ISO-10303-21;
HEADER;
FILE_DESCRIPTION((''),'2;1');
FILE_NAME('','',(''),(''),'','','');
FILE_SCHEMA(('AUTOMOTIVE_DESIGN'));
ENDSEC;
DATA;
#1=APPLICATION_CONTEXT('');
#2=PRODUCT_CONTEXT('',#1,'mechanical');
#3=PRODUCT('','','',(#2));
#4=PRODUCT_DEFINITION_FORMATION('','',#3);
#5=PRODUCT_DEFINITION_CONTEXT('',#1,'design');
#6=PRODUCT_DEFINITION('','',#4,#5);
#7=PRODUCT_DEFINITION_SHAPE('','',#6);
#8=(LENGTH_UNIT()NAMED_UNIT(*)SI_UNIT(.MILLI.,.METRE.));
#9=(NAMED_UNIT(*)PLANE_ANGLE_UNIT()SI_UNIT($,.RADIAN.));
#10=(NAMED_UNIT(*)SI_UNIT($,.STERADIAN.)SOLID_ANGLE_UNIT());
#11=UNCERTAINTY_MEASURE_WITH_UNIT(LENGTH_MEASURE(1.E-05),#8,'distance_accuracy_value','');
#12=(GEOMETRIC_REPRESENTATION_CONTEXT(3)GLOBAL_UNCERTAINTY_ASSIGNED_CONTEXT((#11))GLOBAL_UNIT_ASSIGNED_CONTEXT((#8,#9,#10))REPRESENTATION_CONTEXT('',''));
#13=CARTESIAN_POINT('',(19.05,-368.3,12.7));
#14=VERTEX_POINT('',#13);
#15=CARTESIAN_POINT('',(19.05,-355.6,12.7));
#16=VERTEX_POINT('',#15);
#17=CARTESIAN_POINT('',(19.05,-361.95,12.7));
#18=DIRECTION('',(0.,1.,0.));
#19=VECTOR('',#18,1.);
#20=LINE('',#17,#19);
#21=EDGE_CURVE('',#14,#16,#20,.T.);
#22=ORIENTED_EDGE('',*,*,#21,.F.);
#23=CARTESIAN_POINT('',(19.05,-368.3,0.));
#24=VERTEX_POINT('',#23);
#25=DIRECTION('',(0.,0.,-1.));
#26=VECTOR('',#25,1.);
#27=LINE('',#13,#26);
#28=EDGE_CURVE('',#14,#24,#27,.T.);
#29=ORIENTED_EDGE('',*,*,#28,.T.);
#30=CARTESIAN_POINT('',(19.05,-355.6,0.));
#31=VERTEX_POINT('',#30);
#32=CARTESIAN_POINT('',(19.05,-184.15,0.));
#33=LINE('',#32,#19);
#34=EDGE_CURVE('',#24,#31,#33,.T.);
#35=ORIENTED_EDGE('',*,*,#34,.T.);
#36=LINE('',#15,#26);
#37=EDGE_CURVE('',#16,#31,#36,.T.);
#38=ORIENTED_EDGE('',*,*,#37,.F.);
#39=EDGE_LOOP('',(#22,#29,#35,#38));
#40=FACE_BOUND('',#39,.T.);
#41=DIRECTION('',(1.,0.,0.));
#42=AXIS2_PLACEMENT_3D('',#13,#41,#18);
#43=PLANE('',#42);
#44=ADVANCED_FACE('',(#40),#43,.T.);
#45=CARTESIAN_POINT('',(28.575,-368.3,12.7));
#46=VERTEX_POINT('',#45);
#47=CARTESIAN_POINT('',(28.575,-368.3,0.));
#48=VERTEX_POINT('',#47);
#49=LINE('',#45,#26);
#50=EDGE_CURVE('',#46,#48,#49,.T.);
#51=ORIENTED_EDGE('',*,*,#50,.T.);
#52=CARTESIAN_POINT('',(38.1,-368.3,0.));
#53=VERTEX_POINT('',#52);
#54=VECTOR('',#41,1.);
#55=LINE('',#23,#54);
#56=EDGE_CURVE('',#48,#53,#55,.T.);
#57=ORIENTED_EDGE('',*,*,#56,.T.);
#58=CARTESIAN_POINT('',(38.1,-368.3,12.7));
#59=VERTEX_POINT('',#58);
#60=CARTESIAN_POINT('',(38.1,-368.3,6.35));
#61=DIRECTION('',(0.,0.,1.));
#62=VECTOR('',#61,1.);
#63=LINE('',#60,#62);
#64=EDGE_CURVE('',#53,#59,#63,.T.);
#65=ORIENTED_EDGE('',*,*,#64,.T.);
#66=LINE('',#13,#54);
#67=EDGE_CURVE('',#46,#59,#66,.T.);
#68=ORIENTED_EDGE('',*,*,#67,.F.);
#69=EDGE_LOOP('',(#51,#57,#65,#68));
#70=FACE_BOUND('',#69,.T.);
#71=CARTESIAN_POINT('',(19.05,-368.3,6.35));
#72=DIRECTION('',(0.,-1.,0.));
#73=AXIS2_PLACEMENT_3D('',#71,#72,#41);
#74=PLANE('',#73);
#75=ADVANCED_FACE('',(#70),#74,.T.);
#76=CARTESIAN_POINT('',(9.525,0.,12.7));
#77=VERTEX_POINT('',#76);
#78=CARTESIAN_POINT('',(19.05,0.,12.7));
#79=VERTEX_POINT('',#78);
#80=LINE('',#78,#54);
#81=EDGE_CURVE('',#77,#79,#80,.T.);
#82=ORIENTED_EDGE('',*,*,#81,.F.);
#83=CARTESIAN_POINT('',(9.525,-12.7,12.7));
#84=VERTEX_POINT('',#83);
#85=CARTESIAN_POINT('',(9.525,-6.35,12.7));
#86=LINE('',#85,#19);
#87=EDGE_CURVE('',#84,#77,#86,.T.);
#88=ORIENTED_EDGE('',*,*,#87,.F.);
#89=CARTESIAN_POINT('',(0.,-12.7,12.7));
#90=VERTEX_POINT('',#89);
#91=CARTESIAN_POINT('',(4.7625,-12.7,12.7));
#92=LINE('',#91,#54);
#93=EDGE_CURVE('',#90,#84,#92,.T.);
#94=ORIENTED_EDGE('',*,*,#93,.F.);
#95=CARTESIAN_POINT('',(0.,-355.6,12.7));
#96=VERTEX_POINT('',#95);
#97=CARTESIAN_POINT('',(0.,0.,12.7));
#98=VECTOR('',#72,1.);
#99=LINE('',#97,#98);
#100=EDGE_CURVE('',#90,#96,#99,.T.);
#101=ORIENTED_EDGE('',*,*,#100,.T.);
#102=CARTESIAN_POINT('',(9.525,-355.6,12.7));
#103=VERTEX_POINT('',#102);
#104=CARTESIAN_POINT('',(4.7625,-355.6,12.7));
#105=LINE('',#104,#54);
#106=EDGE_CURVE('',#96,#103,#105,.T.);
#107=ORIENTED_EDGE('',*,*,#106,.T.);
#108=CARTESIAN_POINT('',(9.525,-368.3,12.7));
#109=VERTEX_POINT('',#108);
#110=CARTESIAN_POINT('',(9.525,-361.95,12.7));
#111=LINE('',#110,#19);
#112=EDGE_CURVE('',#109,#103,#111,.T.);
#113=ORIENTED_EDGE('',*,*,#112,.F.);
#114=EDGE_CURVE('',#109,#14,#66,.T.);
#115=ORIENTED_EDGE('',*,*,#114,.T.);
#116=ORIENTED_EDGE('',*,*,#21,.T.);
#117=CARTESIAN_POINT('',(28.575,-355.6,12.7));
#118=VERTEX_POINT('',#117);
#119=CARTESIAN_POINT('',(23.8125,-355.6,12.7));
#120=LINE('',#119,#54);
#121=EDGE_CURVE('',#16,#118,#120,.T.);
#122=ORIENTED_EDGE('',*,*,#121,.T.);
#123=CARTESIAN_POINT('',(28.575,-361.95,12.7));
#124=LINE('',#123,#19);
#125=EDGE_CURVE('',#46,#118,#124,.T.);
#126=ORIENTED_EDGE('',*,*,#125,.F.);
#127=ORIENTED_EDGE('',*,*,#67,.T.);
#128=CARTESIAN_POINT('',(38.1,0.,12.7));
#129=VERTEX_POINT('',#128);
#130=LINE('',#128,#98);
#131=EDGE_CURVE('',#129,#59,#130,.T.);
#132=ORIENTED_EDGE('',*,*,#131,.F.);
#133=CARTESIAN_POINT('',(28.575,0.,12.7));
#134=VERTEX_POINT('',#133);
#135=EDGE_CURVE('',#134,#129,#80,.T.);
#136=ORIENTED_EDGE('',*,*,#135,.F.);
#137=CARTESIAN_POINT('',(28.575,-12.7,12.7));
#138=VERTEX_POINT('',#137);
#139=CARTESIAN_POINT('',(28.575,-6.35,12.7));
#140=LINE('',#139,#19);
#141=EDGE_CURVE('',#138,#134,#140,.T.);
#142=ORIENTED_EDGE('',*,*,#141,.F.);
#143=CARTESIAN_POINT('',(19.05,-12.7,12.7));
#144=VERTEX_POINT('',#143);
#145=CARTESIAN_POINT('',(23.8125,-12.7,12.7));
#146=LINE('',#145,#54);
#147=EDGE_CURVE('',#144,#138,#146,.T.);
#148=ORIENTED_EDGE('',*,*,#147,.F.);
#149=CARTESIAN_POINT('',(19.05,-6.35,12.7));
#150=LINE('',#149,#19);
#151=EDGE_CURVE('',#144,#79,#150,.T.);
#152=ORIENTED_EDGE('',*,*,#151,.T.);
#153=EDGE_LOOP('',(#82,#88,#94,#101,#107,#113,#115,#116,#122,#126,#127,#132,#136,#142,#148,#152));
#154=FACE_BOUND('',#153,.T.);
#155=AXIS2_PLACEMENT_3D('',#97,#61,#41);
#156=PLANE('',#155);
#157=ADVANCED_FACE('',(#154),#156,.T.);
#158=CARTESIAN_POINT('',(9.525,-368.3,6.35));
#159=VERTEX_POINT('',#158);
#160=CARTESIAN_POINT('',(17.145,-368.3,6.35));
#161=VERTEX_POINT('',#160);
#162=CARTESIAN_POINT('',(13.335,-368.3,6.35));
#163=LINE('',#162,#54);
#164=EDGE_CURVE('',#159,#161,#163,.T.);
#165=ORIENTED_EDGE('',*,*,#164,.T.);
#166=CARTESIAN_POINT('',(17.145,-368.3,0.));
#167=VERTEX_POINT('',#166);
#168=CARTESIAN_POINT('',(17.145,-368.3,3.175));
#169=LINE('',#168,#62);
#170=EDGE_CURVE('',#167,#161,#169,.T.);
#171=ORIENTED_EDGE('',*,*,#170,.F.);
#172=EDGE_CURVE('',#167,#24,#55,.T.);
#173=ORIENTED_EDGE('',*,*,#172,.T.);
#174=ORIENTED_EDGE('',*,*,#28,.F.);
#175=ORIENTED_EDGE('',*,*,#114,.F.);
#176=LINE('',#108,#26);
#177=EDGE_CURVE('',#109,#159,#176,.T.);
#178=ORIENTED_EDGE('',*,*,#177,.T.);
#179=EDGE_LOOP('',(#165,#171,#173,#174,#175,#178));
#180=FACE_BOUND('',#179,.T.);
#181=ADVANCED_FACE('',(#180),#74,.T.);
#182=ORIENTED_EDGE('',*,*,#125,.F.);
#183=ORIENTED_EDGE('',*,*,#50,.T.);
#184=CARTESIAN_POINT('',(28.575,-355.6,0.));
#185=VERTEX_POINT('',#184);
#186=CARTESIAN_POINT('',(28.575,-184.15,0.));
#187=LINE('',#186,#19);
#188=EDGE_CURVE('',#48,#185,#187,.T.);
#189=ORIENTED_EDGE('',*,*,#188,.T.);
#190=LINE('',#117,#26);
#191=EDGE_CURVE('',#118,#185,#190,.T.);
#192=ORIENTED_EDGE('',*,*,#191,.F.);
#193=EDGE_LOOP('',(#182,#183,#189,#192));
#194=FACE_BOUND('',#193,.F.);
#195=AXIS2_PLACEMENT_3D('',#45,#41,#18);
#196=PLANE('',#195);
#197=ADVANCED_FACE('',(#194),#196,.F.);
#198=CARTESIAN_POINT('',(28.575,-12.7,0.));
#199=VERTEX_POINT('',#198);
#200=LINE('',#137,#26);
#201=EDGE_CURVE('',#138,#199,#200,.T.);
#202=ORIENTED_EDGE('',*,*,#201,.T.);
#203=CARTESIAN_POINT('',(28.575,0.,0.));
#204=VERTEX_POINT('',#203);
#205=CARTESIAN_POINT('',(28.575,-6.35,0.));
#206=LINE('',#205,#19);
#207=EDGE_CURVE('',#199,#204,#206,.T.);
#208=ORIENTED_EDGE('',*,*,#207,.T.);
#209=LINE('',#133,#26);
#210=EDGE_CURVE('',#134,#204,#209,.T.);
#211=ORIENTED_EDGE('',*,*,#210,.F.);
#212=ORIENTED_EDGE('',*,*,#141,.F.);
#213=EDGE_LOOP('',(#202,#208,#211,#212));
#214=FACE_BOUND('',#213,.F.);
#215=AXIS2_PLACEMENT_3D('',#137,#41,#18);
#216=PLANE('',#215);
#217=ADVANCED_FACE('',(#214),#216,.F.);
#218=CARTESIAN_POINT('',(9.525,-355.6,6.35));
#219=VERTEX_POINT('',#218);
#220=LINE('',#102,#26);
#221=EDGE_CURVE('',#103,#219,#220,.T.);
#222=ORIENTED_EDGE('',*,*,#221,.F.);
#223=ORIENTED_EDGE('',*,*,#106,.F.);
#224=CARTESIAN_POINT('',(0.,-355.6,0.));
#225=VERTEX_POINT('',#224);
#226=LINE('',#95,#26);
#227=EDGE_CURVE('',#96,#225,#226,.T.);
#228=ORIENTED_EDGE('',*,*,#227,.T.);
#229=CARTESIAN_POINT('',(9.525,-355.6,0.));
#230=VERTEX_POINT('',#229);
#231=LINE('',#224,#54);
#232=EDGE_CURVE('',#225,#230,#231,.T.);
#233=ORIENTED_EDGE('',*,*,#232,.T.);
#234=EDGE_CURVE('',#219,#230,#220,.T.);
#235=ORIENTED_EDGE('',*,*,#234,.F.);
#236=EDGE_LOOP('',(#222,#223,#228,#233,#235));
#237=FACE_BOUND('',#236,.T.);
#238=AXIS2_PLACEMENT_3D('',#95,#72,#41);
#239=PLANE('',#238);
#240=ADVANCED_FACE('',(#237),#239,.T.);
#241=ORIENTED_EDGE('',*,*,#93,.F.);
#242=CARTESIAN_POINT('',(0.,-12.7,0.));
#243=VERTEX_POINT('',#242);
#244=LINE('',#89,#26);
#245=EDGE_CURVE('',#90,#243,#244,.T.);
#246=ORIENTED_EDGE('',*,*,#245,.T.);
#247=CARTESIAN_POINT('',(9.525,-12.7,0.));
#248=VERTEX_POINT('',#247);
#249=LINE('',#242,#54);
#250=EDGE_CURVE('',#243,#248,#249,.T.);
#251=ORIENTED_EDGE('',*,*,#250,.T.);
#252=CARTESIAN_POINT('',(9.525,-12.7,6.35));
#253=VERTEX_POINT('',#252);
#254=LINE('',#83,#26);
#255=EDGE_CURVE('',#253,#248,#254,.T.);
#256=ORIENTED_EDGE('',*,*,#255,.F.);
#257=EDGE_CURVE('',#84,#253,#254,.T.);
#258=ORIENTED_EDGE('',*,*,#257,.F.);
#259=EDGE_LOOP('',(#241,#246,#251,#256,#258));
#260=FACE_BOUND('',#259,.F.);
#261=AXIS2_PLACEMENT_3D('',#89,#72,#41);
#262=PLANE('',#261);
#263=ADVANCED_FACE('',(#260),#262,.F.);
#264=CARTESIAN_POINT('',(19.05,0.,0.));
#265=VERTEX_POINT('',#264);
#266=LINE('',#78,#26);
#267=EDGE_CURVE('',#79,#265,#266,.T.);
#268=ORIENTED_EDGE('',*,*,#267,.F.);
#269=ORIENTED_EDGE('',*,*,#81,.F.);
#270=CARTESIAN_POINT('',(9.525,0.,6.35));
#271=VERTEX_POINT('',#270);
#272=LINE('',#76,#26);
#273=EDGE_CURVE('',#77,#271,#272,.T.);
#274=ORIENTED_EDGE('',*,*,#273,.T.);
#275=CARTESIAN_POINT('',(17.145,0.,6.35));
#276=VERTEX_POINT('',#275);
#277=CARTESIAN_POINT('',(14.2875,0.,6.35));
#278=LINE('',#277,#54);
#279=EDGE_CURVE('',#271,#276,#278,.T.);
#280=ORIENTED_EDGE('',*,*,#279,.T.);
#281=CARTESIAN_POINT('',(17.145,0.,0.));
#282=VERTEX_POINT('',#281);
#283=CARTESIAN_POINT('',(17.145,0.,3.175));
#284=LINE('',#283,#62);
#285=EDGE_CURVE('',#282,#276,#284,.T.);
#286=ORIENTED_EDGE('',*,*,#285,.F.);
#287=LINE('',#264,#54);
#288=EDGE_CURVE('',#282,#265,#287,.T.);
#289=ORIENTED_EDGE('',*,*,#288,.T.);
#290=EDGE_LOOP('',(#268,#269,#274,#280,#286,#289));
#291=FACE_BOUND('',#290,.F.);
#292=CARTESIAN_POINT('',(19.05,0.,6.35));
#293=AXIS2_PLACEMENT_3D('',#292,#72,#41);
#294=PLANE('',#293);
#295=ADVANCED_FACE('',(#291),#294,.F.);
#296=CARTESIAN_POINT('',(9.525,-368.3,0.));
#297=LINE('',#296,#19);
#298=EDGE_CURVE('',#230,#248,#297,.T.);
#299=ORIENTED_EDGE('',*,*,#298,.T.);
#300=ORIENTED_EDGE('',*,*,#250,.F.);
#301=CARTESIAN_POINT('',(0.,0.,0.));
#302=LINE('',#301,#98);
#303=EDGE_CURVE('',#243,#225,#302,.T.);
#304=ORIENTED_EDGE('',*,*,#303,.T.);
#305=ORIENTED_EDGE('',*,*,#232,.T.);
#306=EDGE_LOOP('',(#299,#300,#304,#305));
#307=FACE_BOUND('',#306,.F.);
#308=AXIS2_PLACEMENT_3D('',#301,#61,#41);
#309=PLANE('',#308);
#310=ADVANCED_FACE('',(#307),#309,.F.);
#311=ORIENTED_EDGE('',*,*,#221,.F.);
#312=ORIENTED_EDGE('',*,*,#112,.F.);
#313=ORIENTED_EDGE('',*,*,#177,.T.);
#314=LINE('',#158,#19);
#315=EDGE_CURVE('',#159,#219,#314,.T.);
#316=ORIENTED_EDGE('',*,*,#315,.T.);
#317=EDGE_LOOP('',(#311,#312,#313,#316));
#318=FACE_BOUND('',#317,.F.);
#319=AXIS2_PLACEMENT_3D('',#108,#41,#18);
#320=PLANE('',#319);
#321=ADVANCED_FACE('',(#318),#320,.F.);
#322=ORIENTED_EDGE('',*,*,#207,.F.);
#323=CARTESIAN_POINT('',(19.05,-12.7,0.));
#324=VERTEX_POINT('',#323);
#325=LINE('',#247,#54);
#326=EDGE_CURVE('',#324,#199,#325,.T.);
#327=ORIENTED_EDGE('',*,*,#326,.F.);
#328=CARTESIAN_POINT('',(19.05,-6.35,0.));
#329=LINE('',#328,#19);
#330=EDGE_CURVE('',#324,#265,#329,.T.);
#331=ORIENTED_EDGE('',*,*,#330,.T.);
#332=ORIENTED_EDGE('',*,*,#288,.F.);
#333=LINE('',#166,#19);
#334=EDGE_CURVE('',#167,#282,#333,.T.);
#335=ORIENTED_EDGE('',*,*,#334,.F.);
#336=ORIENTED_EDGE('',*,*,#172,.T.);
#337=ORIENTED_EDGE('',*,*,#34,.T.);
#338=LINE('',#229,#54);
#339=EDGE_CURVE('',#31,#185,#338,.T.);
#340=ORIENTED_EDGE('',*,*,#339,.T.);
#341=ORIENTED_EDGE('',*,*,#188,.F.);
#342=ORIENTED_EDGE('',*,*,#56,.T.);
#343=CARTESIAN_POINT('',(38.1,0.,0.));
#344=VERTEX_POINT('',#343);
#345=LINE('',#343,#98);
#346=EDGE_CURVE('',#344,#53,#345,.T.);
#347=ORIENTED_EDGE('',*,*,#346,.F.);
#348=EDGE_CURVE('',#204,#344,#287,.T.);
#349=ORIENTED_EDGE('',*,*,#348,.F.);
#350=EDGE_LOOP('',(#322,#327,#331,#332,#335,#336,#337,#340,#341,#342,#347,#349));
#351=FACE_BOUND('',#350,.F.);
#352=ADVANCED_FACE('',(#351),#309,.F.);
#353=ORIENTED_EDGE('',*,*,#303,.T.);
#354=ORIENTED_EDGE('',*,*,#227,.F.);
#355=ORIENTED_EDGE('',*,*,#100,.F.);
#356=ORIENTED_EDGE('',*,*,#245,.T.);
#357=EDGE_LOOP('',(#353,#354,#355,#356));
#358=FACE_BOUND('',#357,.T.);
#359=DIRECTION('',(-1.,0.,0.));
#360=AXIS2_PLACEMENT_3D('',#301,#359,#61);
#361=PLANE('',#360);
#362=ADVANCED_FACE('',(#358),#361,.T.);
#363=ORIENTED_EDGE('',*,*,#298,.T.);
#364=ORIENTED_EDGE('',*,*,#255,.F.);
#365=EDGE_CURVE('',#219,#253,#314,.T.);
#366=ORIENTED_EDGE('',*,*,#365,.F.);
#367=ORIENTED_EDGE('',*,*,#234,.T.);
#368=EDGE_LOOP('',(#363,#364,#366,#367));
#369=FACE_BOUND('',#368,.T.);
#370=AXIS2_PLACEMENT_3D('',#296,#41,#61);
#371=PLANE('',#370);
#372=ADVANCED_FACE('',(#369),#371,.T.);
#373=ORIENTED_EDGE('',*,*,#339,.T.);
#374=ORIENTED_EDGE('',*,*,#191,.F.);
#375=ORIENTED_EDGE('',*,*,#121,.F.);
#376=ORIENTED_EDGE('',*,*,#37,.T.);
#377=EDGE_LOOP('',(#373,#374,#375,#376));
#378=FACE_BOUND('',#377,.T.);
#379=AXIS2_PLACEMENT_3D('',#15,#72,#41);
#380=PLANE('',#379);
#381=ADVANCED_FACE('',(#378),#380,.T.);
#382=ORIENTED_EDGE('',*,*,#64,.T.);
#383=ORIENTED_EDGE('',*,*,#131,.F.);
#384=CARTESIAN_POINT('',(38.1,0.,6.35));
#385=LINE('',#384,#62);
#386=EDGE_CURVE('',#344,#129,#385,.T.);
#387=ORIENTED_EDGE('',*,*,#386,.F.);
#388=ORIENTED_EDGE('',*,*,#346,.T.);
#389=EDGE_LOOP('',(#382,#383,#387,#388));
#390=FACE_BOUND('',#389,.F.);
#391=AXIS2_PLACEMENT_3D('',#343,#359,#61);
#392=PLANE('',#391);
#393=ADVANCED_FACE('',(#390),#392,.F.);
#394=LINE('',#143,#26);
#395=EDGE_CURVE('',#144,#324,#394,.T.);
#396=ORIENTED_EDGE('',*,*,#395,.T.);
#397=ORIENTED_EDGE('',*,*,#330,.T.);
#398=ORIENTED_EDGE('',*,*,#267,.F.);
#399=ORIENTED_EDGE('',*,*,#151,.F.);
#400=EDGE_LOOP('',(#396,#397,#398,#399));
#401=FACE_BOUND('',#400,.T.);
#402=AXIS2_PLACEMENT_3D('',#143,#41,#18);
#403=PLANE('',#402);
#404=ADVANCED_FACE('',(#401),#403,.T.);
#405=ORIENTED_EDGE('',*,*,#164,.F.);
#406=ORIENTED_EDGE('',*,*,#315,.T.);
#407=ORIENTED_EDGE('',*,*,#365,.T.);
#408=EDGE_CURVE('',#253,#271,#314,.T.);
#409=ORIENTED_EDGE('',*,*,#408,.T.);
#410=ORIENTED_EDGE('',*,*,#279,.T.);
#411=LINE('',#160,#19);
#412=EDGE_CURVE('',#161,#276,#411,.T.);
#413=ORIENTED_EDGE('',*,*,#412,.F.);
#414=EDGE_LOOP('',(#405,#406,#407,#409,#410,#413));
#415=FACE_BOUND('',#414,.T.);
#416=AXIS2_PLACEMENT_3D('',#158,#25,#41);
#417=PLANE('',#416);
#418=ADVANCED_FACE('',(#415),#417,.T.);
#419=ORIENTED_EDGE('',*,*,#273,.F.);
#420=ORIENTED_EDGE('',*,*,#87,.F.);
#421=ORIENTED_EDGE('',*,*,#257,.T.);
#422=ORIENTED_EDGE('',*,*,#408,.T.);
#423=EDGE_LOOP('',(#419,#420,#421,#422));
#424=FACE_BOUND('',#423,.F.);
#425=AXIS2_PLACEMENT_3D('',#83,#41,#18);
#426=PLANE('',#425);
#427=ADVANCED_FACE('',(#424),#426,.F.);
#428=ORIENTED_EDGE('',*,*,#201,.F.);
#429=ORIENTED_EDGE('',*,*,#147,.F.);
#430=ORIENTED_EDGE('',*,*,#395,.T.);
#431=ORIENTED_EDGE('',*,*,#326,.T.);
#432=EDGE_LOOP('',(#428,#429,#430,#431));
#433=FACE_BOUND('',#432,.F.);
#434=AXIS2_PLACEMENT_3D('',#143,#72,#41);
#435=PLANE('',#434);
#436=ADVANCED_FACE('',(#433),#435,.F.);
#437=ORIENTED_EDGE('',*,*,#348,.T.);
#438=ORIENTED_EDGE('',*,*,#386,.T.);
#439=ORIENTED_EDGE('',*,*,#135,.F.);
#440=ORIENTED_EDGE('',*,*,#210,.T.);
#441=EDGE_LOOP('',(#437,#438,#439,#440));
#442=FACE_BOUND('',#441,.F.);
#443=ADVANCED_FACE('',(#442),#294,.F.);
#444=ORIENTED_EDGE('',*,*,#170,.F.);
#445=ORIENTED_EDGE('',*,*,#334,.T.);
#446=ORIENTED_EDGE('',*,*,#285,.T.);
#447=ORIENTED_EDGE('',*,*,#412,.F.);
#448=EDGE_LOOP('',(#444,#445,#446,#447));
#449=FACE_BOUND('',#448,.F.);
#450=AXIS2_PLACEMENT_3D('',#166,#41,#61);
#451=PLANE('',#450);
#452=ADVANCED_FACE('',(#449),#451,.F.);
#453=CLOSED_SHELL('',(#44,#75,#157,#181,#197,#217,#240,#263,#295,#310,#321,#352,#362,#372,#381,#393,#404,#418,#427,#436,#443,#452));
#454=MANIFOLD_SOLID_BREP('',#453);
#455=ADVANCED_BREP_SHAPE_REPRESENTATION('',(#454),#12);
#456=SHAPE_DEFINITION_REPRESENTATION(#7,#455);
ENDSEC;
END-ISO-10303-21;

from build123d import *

# Parameters (mm, degrees)
F0_W     = 38.1
F0_H     = 12.7
F1_DEPTH = 368.3
F2_W     = 7.62
F2_H     = 6.35
F3_DEPTH = 368.301
F4_W     = 9.525
F4_H     = 12.7
F5_DEPTH = 25.4


with BuildPart() as f1:
    # F0 (on Front) → F1 (new body)
    with BuildSketch(Plane.XZ):
        with Locations((19.05, 6.35)):
            Rectangle(F0_W, F0_H)
    extrude(amount=F1_DEPTH)

    # F2 (on face) → F3 (cut, through all)
    with BuildSketch(Plane.XZ.offset(368.3)):
        with Locations((13.335, 3.175)):
            Rectangle(F2_W, F2_H)
    extrude(amount=-F3_DEPTH, mode=Mode.SUBTRACT)

    # F4 (on face) → F5 (cut)
    with BuildSketch(Plane.XY.offset(12.7)):
        with Locations((23.8125, -6.35)):
            Rectangle(F4_W, F4_H)
        with Locations((4.7625, -6.35)):
            Rectangle(F4_W, F4_H)
        with Locations((4.7625, -361.95)):
            Rectangle(F4_W, F4_H)
        with Locations((23.8125, -361.95)):
            Rectangle(F4_W, F4_H)
    extrude(amount=-F5_DEPTH, mode=Mode.SUBTRACT)


solid = f1.part
